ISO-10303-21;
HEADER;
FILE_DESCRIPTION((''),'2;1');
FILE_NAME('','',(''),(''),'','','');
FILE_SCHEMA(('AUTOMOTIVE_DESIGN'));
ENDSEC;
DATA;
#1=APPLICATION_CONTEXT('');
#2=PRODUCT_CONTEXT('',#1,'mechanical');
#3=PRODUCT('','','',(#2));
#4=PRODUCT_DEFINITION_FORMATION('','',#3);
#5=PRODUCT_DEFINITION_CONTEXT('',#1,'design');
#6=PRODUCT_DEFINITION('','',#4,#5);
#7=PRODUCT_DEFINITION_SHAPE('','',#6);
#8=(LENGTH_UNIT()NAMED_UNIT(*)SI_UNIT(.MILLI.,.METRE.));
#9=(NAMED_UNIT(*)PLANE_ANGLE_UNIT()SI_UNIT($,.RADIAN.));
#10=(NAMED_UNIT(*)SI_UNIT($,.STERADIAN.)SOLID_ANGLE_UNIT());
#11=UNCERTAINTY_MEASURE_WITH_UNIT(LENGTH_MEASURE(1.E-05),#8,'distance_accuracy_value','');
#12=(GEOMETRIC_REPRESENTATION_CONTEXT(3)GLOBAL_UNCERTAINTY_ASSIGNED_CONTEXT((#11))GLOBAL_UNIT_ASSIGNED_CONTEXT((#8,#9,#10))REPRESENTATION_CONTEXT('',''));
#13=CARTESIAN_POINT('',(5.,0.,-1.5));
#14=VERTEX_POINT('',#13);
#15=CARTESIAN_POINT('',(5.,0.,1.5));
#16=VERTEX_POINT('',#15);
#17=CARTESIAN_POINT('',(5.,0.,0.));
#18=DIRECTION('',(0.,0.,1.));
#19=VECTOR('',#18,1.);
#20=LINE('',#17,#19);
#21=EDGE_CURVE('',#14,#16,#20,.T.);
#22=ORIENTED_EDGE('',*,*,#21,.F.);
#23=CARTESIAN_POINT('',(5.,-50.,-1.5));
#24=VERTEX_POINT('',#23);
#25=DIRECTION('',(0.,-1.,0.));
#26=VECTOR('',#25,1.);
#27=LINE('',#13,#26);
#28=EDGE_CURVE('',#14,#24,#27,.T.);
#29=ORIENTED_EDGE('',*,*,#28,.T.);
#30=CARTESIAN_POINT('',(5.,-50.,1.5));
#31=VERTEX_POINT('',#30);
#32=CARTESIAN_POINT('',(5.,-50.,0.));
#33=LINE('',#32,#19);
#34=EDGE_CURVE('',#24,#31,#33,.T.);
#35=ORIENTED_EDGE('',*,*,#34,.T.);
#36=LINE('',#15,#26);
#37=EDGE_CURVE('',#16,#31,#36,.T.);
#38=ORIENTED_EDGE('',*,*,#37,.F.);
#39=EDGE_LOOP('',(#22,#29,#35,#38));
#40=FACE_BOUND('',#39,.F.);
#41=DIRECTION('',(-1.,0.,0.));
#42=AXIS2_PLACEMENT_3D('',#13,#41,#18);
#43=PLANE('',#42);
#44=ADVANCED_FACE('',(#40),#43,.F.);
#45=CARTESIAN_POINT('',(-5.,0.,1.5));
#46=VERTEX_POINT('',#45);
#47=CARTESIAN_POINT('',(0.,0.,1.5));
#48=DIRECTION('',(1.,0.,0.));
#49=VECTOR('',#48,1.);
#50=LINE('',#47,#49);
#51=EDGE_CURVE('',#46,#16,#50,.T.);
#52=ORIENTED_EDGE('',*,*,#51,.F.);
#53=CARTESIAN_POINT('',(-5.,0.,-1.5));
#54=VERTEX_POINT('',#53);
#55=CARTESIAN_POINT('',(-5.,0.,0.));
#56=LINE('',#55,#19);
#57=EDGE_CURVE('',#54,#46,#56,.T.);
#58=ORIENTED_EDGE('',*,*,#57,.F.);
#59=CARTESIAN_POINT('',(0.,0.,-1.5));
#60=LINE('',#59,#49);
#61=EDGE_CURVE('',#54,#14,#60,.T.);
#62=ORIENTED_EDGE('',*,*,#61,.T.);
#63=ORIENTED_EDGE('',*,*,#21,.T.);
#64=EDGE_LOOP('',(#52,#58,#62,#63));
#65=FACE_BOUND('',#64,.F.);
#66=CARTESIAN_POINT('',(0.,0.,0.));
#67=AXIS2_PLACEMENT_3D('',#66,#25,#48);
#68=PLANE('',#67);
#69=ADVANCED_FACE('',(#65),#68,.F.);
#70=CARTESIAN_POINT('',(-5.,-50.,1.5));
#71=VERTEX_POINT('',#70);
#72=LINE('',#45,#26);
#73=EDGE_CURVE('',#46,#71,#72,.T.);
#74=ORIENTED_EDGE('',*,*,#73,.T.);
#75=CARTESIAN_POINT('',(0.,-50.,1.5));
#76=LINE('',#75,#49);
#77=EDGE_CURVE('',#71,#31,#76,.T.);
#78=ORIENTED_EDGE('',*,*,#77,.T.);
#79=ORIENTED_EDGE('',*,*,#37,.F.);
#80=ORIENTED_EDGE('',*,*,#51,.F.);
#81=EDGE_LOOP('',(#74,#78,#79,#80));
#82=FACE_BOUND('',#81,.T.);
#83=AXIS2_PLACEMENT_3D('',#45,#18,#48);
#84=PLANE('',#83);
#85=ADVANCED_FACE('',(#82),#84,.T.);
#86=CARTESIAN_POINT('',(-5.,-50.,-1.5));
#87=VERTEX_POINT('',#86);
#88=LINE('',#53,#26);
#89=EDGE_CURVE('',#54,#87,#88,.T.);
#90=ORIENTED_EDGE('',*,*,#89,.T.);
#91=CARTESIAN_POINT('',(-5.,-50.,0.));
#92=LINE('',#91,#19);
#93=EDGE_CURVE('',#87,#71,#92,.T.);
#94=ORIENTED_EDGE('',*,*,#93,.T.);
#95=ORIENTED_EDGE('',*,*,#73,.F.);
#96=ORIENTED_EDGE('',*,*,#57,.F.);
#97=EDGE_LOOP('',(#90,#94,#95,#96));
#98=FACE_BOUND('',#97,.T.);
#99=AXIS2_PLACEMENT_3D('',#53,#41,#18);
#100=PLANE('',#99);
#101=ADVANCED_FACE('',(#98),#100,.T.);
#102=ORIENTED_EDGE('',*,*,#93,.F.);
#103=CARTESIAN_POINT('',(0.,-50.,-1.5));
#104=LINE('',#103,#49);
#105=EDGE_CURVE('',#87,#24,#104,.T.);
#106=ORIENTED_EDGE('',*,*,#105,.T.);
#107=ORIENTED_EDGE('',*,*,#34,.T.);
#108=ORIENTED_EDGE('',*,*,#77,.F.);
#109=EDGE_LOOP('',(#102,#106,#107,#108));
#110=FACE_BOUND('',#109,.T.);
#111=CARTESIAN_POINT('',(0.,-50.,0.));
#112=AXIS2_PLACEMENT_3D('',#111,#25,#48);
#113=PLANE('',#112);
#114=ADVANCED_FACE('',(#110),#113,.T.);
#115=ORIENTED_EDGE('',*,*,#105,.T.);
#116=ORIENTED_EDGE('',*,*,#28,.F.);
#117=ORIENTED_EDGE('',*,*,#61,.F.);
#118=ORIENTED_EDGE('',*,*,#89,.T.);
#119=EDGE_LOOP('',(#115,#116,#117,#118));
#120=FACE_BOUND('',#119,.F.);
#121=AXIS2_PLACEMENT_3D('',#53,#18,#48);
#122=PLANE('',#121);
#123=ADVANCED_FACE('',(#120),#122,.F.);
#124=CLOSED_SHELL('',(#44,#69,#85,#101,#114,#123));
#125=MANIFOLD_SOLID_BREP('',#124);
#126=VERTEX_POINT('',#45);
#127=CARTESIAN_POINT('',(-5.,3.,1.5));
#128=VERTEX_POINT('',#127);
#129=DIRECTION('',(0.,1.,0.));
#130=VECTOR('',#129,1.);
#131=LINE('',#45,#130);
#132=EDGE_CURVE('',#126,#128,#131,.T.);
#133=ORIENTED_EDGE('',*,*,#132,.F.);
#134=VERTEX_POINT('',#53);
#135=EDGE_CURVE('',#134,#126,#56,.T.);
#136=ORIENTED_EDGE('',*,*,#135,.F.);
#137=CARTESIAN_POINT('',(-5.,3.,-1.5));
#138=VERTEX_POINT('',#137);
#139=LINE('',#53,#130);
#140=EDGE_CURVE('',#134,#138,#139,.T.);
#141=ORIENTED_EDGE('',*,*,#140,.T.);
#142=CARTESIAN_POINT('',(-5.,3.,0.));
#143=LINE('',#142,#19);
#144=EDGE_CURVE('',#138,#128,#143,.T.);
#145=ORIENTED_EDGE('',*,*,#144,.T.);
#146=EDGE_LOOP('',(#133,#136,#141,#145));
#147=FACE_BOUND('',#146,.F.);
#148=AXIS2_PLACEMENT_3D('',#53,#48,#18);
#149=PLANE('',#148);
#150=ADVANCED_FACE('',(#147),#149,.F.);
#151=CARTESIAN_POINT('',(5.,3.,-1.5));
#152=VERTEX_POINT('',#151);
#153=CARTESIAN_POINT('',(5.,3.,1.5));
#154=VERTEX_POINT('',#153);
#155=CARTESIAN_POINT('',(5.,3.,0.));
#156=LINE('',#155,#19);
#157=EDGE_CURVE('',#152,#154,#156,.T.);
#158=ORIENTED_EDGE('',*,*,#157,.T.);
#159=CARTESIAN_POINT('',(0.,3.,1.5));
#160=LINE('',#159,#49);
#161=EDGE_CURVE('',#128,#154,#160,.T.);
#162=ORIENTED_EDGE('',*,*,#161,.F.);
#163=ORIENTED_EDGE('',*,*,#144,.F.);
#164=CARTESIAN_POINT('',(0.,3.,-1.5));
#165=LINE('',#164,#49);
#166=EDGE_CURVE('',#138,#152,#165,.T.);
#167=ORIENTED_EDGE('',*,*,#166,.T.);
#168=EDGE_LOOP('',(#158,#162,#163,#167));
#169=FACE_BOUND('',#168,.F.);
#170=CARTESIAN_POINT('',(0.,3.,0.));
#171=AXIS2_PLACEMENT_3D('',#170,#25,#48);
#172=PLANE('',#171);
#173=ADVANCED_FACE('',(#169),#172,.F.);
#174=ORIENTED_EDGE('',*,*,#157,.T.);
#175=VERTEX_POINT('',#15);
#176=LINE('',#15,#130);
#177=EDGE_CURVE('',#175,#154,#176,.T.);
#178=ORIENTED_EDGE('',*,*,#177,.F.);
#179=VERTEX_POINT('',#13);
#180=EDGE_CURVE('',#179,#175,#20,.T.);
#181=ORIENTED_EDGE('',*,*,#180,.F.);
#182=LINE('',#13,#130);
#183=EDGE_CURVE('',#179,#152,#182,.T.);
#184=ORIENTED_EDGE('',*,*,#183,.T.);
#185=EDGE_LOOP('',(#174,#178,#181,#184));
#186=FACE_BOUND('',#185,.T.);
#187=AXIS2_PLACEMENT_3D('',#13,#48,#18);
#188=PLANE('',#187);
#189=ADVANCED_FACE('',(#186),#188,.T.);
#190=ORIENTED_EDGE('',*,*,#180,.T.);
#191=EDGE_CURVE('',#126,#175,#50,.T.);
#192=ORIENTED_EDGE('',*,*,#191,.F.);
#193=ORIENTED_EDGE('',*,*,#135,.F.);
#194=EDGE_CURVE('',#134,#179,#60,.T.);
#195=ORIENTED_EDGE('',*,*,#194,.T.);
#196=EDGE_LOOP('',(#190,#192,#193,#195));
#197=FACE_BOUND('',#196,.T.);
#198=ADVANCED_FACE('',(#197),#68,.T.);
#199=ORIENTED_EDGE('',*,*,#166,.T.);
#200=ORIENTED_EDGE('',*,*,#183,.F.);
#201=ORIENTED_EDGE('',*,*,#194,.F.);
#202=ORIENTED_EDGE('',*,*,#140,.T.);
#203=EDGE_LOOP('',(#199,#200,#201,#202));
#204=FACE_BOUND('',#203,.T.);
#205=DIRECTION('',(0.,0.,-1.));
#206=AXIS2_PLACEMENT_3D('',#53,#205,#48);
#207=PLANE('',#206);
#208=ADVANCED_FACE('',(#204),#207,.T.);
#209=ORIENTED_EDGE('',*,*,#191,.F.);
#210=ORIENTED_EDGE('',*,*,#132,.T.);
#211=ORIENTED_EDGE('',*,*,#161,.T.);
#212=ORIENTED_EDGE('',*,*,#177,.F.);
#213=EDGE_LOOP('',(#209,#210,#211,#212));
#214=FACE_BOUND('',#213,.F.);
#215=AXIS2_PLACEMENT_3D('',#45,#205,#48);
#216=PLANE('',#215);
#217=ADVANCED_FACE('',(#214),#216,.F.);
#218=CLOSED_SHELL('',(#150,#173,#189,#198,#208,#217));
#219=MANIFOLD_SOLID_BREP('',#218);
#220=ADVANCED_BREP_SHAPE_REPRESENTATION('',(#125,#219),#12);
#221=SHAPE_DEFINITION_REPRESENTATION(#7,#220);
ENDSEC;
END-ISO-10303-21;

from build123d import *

# Parameters (mm, degrees)
F0_W     = 10
F0_H     = 3
F1_DEPTH = 3
F2_DEPTH = 50


with BuildPart() as f1:
    # F0 (on Front) → F1 (new body)
    with BuildSketch(Plane.XZ):
        Rectangle(F0_W, F0_H)
    extrude(amount=-F1_DEPTH)


with BuildPart() as f2:
    # F0 (on Front) → F2 (new body)
    with BuildSketch(Plane.XZ):
        Rectangle(F0_W, F0_H)
    extrude(amount=F2_DEPTH)


solid = Compound([f1.part, f2.part])
